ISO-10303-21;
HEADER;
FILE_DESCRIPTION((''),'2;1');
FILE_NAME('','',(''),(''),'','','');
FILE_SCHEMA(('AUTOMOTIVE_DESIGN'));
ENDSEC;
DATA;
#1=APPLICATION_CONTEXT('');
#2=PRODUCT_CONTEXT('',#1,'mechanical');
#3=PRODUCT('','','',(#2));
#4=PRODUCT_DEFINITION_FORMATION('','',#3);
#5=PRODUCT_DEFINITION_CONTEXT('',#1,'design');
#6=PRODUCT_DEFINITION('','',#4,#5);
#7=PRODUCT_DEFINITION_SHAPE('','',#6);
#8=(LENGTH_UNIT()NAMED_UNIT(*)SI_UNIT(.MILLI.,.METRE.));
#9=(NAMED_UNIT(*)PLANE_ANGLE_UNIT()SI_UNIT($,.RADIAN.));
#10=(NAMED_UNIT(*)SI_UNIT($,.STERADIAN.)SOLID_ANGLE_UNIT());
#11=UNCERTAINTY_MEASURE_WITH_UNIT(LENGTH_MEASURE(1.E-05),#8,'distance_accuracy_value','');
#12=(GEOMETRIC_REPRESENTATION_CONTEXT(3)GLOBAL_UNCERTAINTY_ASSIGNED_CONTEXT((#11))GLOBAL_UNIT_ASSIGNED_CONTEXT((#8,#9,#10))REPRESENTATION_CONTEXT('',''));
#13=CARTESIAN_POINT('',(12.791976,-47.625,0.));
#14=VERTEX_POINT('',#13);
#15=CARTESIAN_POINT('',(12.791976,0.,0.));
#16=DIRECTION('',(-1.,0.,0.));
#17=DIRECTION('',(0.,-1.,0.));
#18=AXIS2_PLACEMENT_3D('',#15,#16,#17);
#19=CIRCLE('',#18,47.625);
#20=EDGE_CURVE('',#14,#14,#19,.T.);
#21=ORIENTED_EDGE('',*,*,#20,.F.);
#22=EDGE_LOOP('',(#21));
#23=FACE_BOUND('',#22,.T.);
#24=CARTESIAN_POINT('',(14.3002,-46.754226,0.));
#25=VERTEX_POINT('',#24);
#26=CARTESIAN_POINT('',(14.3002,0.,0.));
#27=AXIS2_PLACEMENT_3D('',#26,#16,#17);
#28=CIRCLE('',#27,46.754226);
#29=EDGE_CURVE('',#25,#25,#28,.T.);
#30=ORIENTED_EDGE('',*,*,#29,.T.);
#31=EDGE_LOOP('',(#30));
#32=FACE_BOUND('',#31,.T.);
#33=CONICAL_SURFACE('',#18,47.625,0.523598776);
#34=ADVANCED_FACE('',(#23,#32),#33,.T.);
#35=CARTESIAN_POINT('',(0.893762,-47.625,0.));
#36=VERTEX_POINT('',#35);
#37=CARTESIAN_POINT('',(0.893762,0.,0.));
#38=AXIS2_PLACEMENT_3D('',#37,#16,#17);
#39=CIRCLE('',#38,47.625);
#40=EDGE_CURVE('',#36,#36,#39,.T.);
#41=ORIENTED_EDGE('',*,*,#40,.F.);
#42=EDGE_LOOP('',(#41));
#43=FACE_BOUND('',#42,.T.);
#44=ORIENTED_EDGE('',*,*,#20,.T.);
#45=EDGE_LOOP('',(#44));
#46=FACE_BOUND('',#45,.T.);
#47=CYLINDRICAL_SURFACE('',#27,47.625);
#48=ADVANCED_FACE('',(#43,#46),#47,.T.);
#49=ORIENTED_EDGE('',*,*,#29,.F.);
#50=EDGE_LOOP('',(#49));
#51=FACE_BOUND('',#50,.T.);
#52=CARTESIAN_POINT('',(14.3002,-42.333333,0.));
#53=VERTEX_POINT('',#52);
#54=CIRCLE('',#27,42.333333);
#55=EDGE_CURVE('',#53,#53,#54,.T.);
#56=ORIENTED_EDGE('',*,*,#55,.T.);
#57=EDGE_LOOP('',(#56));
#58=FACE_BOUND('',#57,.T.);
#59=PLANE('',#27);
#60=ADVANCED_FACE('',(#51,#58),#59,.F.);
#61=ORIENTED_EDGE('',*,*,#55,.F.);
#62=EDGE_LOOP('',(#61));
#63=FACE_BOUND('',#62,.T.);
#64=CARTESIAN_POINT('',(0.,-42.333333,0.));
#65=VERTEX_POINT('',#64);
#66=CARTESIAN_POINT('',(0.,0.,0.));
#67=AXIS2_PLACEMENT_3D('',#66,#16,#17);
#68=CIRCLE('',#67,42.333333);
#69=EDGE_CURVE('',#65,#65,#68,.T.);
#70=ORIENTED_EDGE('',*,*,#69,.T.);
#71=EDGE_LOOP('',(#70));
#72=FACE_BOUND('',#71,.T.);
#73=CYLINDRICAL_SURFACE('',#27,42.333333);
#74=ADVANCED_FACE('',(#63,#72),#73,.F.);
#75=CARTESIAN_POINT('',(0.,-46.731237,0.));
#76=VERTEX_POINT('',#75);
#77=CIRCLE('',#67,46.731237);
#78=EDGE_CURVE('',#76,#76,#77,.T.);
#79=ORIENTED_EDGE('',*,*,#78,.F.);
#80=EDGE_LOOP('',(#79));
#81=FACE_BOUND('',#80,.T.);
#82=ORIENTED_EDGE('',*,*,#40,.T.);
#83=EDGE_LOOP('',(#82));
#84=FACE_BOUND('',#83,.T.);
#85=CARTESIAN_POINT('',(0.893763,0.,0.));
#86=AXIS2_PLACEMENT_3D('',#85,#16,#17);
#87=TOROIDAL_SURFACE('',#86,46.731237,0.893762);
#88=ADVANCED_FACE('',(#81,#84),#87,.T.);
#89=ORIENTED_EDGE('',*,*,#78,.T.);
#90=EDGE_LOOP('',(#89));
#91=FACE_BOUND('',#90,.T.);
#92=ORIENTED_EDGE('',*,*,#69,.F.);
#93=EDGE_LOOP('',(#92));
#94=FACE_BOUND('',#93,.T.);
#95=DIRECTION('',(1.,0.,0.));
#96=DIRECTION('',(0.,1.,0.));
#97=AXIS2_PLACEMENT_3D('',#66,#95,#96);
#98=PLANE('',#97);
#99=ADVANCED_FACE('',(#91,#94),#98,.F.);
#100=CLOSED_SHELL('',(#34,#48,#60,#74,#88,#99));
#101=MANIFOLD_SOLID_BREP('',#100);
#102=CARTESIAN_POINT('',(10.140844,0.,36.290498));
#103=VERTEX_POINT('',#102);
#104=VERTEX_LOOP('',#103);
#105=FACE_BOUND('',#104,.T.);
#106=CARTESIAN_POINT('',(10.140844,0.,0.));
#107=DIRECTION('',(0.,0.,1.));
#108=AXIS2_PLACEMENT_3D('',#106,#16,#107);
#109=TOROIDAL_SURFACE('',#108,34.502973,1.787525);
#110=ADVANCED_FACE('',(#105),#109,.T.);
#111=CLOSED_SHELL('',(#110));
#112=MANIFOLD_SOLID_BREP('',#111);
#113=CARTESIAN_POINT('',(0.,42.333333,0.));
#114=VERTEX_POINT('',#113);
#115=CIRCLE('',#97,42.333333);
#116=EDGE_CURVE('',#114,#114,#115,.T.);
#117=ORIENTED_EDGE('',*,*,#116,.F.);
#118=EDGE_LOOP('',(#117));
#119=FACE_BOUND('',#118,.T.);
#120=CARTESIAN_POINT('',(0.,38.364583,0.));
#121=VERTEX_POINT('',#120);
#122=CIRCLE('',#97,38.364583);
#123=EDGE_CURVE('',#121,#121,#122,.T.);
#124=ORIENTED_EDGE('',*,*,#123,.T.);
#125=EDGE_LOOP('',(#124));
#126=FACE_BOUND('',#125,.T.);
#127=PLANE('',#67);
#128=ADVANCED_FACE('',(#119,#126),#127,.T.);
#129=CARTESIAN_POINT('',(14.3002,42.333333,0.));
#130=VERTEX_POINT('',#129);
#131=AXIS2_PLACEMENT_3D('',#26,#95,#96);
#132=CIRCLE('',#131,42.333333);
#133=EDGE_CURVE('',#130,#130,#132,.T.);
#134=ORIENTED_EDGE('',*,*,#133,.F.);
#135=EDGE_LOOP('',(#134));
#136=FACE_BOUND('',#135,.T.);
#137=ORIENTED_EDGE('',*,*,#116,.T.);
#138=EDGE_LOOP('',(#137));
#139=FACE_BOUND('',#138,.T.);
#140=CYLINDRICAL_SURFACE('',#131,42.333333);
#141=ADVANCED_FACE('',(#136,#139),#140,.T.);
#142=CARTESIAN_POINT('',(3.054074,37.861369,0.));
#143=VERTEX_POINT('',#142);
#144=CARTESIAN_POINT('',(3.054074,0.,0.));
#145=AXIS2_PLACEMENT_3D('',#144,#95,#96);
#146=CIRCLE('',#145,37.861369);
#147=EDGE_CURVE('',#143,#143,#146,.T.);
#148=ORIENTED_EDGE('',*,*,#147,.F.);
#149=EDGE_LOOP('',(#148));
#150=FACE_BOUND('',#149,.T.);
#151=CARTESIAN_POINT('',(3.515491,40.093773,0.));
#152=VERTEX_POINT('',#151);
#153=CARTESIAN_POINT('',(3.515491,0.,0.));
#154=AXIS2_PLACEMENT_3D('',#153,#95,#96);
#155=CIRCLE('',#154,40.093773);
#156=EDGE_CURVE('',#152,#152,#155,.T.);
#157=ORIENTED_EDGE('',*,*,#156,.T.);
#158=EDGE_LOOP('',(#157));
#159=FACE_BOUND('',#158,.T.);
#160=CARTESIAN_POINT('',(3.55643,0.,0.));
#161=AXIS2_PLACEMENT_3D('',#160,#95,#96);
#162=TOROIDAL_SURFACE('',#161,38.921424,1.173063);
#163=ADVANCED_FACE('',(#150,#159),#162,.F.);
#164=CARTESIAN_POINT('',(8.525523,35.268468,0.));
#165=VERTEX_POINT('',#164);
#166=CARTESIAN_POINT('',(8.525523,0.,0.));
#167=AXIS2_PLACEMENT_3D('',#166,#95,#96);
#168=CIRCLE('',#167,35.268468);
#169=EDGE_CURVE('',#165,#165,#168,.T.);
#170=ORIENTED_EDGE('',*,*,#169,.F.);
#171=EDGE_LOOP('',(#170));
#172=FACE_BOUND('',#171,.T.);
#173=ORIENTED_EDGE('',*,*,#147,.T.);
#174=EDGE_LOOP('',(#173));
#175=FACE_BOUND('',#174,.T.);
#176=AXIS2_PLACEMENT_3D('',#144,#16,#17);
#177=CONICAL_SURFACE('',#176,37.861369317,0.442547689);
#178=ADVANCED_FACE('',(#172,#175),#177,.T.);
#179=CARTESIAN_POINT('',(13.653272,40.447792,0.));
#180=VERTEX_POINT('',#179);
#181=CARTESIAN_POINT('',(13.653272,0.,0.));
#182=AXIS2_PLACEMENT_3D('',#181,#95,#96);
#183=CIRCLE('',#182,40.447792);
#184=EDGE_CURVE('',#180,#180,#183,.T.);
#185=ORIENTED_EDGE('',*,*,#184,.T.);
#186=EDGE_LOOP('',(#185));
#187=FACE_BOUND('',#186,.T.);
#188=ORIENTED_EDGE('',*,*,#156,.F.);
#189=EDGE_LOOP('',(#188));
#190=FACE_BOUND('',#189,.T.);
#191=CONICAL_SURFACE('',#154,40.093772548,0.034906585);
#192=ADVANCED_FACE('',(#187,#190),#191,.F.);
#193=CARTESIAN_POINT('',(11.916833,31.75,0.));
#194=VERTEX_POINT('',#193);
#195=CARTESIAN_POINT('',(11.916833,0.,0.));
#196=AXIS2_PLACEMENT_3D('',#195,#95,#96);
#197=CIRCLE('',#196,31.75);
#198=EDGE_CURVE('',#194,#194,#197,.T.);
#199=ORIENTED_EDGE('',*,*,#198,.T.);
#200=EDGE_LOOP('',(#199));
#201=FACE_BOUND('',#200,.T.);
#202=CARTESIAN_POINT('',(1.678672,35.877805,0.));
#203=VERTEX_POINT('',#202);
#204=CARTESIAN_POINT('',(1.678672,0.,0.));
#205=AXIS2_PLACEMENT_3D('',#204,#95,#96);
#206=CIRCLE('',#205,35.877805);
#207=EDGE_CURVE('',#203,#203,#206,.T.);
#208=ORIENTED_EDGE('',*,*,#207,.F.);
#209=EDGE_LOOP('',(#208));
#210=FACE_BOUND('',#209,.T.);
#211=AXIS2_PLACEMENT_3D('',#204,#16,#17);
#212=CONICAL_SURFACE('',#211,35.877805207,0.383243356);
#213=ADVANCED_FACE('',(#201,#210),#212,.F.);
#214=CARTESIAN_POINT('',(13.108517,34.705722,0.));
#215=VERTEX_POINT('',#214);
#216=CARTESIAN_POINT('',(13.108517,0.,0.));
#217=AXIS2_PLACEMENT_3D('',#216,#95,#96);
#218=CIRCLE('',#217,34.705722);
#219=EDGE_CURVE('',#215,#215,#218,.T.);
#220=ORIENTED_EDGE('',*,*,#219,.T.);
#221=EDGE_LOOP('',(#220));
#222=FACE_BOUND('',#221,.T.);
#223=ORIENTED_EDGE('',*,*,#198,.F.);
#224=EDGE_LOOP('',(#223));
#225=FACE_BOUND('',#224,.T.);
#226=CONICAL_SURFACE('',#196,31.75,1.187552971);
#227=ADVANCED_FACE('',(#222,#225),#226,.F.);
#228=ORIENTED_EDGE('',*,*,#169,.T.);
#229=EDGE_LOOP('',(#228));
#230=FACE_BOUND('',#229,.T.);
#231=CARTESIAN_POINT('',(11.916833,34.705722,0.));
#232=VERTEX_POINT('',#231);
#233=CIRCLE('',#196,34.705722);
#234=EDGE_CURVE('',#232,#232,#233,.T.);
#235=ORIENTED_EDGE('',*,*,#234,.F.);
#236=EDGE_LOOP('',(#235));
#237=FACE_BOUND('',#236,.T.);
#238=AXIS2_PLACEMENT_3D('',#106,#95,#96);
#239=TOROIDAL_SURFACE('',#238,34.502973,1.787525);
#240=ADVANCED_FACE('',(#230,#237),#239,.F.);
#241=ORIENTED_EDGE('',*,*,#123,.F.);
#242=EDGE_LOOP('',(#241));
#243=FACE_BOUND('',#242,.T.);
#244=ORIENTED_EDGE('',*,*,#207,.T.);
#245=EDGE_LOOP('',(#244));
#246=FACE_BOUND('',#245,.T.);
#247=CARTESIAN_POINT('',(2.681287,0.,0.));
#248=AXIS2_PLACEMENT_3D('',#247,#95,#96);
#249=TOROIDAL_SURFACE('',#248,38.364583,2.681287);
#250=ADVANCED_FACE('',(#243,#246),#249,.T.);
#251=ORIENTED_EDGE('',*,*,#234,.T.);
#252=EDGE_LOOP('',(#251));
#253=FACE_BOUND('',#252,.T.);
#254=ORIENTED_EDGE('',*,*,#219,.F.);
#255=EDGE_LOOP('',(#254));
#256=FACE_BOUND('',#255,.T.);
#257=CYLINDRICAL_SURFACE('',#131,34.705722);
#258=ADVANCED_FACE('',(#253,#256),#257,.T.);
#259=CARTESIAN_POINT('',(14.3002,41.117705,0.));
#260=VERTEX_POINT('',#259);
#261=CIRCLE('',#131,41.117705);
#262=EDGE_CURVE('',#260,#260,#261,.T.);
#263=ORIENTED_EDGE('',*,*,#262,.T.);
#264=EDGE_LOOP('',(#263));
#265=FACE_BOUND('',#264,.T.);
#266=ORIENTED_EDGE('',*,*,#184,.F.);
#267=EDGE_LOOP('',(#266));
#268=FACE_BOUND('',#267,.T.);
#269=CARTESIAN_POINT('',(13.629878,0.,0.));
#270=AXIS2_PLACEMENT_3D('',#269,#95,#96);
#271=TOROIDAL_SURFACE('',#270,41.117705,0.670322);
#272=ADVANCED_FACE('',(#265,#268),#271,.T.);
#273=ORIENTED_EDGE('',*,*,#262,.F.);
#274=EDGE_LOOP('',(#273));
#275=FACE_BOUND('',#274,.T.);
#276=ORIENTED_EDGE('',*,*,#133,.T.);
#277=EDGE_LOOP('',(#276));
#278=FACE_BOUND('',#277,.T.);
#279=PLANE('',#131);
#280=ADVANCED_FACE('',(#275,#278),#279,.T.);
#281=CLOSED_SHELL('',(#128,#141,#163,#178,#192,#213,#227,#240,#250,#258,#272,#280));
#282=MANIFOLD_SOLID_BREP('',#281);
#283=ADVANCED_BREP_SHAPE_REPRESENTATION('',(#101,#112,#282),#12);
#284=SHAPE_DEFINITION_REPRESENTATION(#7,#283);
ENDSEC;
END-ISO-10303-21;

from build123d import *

# Parameters (mm, degrees)
SKETCH2_R = 1.787525


with BuildPart() as part:
    # Sketch1 → Revolve1 (revolve)
    with BuildSketch(Plane.XY):
        with BuildLine():
            Line((0, 46.7312375), (0, 42.333333333))
            Line((0, 42.333333333), (14.3002, 42.333333333))
            Line((14.3002, 42.333333333), (14.3002, 46.754226341))
            Line((14.3002, 46.754226341), (12.791975781, 47.625))
            Line((12.791975781, 47.625), (0.8937625, 47.625))
            ThreePointArc((0.8937625, 47.625), (0.261776975, 47.363223025), (0, 46.7312375))
        make_face()
    revolve(axis=Axis((14.3002, 0, 0), (-1, 0, 0)))


with BuildPart() as body_2:
    # Sketch1<3> → Revolve2 (revolve)
    with BuildSketch(Plane.XY):
        with BuildLine():
            ThreePointArc((0, 38.364583333), (0.458946142, 36.86441616), (1.678672315, 35.877805207))
            Line((1.678672315, 35.877805207), (11.916833333, 31.75))
            Line((11.916833333, 31.75), (13.108516667, 34.705722288))
            Line((13.108516667, 34.705722288), (11.916833333, 34.705722288))
            ThreePointArc((11.916833333, 34.705722288), (9.84822767, 32.739561023), (8.52552273, 35.268468129))
            Line((8.52552273, 35.268468129), (3.054073684, 37.861369317))
            ThreePointArc((3.054073684, 37.861369317), (2.407648607, 39.158866264), (3.51549063, 40.093772548))
            Line((3.51549063, 40.093772548), (13.653272021, 40.447791675))
            ThreePointArc((13.653272021, 40.447791675), (14.112067329, 40.652060507), (14.3002, 41.117705208))
            Line((14.3002, 41.117705208), (14.3002, 42.333333333))
            Line((14.3002, 42.333333333), (0, 42.333333333))
            Line((0, 42.333333333), (0, 38.364583333))
        make_face()
    revolve(axis=Axis((14.3002, 0, 0), (-1, 0, 0)))


with BuildPart() as body_3:
    # Sketch2 → Revolve3 (revolve)
    with BuildSketch(Plane.XY):
        with Locations((10.140843947, 34.50297287)):
            Circle(SKETCH2_R)
    revolve(axis=Axis((0, 0, 0), (1, 0, 0)))


solid = Compound([part.part, body_2.part, body_3.part])
